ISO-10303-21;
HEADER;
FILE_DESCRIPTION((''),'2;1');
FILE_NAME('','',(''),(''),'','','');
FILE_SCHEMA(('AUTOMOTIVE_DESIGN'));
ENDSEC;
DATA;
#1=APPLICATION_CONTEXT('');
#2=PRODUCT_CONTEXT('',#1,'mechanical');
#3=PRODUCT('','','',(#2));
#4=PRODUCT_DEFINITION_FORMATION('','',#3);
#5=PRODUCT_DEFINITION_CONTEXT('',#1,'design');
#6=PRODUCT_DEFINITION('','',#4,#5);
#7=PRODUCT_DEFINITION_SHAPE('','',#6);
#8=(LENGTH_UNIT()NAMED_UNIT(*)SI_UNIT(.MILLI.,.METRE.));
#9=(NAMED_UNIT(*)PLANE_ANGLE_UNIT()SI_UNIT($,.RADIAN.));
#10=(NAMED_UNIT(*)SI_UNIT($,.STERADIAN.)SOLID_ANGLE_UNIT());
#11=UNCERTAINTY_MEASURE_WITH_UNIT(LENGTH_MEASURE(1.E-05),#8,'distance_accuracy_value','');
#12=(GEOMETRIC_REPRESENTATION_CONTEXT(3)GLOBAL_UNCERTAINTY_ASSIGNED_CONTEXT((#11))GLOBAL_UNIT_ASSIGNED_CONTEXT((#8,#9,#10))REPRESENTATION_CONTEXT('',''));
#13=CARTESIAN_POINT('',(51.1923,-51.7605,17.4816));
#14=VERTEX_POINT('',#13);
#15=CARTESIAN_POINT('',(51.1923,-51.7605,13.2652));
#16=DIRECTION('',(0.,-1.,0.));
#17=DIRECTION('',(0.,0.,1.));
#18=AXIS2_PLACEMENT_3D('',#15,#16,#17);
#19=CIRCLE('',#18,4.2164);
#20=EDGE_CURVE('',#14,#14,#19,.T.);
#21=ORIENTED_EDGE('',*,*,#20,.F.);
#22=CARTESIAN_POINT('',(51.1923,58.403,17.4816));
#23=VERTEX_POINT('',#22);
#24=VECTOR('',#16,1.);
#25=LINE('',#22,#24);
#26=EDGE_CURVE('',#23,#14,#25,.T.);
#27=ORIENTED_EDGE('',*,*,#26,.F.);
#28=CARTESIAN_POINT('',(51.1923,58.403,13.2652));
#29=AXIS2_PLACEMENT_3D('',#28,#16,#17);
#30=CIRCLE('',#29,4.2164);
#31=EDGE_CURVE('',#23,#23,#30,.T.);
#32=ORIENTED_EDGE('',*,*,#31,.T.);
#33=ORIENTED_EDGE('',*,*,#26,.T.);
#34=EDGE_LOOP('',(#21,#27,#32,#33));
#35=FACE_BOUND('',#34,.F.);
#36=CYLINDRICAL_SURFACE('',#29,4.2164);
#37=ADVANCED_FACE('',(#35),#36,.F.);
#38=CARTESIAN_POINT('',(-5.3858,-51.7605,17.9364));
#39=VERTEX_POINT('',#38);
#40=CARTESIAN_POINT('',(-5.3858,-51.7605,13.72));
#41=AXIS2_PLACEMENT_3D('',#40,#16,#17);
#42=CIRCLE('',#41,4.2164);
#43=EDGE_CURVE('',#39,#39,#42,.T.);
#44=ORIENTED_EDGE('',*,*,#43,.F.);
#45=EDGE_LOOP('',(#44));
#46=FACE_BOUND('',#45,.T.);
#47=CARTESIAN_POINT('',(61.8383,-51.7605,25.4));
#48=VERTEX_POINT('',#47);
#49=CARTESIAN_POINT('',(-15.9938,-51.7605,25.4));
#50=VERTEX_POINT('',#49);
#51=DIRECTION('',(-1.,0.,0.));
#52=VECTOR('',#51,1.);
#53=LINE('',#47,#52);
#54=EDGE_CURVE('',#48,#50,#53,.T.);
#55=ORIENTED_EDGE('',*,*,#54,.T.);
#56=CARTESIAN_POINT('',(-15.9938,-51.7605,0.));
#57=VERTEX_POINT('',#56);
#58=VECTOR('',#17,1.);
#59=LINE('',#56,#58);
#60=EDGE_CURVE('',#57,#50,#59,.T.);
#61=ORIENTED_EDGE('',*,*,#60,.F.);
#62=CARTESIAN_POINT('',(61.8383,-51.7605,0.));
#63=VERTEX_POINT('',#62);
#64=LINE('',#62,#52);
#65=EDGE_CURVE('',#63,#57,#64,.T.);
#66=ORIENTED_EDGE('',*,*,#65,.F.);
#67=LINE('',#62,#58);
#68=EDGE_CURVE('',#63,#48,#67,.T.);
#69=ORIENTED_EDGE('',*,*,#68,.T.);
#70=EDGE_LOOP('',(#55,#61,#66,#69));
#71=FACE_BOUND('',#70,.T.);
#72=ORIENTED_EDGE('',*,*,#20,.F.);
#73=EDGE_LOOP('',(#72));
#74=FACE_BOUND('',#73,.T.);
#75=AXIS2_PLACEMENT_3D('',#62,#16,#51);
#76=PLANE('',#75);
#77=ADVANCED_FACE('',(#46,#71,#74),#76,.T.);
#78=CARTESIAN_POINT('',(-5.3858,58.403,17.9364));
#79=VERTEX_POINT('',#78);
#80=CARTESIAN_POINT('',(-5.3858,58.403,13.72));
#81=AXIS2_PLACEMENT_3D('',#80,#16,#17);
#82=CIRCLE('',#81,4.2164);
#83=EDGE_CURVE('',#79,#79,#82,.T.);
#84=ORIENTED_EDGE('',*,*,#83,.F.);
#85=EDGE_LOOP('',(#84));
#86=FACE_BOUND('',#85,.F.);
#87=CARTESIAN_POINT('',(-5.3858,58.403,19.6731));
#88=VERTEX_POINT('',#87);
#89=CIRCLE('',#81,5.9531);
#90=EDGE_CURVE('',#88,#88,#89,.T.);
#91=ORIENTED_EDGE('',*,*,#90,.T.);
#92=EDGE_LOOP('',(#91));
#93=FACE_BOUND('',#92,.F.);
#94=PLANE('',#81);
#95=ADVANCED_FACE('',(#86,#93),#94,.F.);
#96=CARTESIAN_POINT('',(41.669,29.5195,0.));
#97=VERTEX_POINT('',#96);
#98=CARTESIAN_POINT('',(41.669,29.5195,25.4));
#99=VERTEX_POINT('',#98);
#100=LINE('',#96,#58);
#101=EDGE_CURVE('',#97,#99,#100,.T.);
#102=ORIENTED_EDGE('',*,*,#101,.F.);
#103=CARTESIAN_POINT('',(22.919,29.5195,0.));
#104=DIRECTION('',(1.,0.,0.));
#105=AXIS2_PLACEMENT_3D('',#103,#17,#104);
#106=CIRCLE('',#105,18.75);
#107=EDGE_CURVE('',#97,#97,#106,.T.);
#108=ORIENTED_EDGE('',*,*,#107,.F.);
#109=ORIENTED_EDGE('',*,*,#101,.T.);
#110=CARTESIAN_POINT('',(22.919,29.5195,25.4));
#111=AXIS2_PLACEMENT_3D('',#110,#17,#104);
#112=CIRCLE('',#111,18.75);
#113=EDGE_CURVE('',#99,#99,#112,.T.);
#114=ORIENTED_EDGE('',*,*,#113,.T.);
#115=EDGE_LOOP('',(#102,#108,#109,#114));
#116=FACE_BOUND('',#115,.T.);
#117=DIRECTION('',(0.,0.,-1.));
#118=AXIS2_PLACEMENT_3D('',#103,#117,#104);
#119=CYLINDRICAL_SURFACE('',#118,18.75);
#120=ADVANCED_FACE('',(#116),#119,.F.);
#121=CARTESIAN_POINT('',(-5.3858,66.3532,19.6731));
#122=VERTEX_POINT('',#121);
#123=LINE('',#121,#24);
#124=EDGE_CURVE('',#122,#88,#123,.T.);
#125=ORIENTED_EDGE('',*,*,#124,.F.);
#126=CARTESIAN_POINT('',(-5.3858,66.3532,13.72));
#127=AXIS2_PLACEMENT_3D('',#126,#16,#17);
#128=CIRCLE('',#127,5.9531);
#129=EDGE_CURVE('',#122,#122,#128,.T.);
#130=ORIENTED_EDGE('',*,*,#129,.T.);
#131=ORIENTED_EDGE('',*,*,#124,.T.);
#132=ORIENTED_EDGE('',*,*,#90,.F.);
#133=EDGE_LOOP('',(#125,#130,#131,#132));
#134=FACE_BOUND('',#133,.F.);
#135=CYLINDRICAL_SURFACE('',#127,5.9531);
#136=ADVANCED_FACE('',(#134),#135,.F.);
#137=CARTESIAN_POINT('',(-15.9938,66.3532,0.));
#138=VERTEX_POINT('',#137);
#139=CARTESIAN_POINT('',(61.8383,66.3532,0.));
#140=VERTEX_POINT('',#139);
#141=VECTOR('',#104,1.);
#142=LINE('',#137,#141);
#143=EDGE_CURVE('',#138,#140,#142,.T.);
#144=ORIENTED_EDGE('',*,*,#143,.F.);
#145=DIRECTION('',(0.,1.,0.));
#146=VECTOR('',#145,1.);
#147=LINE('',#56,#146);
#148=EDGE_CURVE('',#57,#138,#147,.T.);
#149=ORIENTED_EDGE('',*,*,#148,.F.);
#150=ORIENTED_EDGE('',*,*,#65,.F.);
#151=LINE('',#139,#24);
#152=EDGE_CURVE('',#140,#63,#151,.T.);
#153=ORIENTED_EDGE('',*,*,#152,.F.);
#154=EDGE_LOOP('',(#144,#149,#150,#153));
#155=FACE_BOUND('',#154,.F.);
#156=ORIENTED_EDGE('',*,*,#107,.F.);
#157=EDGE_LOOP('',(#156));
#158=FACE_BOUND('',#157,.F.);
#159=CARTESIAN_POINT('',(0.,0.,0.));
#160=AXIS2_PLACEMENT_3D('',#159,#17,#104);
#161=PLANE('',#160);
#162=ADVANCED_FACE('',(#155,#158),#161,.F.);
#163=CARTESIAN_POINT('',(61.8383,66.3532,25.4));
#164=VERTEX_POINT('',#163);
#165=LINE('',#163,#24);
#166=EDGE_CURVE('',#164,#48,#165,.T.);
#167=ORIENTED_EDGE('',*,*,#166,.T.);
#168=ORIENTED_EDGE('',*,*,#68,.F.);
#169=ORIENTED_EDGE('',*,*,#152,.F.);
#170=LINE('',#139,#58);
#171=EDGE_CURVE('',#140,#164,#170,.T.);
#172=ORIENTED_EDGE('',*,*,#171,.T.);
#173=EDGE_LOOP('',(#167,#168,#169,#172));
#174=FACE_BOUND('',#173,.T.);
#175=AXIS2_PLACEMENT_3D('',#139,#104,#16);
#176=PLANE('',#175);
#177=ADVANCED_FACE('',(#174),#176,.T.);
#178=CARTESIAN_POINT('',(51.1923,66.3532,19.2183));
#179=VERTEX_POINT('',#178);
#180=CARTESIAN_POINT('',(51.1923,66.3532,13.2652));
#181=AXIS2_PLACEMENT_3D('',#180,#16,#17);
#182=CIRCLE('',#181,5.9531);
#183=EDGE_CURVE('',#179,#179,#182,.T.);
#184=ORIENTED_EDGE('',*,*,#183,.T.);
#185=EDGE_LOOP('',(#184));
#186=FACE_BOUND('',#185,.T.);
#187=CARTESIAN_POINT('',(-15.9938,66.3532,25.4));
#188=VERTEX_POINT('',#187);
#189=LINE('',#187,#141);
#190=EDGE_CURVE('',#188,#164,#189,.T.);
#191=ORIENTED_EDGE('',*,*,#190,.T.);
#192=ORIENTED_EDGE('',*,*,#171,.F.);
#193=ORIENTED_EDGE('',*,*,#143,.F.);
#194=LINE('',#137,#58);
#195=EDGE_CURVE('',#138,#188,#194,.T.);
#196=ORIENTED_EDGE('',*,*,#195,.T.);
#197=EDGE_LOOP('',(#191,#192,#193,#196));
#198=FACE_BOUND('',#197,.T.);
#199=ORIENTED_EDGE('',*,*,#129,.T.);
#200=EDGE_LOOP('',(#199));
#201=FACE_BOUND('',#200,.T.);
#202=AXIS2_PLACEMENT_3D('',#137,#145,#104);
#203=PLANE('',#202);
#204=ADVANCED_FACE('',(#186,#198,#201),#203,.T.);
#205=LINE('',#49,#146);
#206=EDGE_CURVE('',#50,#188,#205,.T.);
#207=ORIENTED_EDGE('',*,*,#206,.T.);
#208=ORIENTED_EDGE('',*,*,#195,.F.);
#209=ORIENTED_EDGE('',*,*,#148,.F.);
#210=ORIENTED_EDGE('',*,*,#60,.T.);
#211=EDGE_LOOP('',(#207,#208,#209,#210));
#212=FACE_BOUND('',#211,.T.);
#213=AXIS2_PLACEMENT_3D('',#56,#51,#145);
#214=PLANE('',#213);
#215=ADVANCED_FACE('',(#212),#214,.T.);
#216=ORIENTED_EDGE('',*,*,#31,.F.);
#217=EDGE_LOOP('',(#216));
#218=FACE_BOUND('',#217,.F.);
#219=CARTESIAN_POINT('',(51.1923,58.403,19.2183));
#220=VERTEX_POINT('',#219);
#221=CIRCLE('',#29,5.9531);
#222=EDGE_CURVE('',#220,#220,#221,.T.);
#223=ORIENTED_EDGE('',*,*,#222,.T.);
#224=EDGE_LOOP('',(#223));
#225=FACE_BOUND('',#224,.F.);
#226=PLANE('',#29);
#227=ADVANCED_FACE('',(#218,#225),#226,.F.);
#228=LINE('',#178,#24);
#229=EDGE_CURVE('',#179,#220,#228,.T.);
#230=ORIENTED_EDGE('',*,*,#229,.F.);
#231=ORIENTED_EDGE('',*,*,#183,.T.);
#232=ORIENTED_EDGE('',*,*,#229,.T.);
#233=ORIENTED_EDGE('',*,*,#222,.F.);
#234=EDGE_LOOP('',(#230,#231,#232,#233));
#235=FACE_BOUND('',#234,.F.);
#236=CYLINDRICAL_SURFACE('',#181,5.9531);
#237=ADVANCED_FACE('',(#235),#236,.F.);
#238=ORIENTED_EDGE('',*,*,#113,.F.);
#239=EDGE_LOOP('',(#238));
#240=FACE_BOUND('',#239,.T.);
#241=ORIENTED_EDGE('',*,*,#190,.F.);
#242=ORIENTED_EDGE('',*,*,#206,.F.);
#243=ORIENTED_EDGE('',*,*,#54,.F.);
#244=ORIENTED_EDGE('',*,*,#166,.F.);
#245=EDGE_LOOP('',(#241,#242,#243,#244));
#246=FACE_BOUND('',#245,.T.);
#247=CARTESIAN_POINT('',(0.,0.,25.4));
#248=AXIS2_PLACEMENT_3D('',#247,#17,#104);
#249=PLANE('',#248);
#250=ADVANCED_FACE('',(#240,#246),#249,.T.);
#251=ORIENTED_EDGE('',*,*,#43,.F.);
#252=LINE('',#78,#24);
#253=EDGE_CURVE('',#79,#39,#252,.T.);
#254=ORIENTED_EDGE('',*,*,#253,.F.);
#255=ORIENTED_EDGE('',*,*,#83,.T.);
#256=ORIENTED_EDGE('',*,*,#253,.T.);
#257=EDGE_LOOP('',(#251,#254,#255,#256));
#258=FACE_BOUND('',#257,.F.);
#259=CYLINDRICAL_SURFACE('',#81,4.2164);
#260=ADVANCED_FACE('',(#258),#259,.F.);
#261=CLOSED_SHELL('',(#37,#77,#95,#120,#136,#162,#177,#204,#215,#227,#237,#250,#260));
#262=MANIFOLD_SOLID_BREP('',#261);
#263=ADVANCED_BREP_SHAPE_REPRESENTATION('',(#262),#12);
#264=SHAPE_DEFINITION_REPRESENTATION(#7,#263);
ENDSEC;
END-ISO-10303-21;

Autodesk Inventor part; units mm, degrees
ref_plane "YZ Plane" through (0, 0, 0) normal (1, 0, 0) x (0, 1, 0)
ref_plane "XZ Plane" through (0, 0, 0) normal (0, 1, 0) x (-1, 0, 0)
ref_plane "XY Plane" through (0, 0, 0) normal (0, 0, 1) x (1, 0, 0)
sketch "Sketch1" plane through (0, 0, 0) normal (0, 0, 1) x (1, 0, 0)
  circle A0 centre (22.919, 29.5195) radius 18.75
  line L0 (-15.9938, 66.3532) -> (61.8383, 66.3532)
  line L1 (61.8383, 66.3532) -> (61.8383, -51.7605)
  line L2 (61.8383, -51.7605) -> (-15.9938, -51.7605)
  line L3 (-15.9938, -51.7605) -> (-15.9938, 66.3532)
  point P0 (0, 0)
  dimension "d0" = 37.5
  dimension "d1" = 77.8321
  dimension "d2" = 118.1137
  dimension "d3" = 38.9128
  dimension "d4" = 81.28
extrude "Extrusion1" add sketch "Sketch1" along normal blind 25.4
sketch "Sketch2" plane through (-15.9938, 66.3532, 0) normal (0, 1, 0) x (1, 0, 0)
  point P0 (15.9938, 0)
  point P1 (10.6081, -13.72)
hole "Hole1" at (-5.3858, 66.3532, 13.72) direction (0, -1, 0) diameter 8.4328 end through all counterbore diameter 11.9062 counterbore depth 7.9502 clearance for "Socket Head Cap Screw" size "5/16" standard "Ansi Unified Screw Threads"
sketch "Sketch3" plane through (-15.9938, 66.3532, 0) normal (0, 1, 0) x (1, 0, 0)
  point P0 (15.9938, 0)
  point P1 (67.1861, -13.2652)
hole "Hole2" at (51.1923, 66.3532, 13.2652) direction (0, -1, 0) diameter 8.4328 end through all counterbore diameter 11.9062 counterbore depth 7.9502 clearance for "Socket Head Cap Screw" size "5/16" standard "Ansi Unified Screw Threads"
properties part number "Wrist Support"
